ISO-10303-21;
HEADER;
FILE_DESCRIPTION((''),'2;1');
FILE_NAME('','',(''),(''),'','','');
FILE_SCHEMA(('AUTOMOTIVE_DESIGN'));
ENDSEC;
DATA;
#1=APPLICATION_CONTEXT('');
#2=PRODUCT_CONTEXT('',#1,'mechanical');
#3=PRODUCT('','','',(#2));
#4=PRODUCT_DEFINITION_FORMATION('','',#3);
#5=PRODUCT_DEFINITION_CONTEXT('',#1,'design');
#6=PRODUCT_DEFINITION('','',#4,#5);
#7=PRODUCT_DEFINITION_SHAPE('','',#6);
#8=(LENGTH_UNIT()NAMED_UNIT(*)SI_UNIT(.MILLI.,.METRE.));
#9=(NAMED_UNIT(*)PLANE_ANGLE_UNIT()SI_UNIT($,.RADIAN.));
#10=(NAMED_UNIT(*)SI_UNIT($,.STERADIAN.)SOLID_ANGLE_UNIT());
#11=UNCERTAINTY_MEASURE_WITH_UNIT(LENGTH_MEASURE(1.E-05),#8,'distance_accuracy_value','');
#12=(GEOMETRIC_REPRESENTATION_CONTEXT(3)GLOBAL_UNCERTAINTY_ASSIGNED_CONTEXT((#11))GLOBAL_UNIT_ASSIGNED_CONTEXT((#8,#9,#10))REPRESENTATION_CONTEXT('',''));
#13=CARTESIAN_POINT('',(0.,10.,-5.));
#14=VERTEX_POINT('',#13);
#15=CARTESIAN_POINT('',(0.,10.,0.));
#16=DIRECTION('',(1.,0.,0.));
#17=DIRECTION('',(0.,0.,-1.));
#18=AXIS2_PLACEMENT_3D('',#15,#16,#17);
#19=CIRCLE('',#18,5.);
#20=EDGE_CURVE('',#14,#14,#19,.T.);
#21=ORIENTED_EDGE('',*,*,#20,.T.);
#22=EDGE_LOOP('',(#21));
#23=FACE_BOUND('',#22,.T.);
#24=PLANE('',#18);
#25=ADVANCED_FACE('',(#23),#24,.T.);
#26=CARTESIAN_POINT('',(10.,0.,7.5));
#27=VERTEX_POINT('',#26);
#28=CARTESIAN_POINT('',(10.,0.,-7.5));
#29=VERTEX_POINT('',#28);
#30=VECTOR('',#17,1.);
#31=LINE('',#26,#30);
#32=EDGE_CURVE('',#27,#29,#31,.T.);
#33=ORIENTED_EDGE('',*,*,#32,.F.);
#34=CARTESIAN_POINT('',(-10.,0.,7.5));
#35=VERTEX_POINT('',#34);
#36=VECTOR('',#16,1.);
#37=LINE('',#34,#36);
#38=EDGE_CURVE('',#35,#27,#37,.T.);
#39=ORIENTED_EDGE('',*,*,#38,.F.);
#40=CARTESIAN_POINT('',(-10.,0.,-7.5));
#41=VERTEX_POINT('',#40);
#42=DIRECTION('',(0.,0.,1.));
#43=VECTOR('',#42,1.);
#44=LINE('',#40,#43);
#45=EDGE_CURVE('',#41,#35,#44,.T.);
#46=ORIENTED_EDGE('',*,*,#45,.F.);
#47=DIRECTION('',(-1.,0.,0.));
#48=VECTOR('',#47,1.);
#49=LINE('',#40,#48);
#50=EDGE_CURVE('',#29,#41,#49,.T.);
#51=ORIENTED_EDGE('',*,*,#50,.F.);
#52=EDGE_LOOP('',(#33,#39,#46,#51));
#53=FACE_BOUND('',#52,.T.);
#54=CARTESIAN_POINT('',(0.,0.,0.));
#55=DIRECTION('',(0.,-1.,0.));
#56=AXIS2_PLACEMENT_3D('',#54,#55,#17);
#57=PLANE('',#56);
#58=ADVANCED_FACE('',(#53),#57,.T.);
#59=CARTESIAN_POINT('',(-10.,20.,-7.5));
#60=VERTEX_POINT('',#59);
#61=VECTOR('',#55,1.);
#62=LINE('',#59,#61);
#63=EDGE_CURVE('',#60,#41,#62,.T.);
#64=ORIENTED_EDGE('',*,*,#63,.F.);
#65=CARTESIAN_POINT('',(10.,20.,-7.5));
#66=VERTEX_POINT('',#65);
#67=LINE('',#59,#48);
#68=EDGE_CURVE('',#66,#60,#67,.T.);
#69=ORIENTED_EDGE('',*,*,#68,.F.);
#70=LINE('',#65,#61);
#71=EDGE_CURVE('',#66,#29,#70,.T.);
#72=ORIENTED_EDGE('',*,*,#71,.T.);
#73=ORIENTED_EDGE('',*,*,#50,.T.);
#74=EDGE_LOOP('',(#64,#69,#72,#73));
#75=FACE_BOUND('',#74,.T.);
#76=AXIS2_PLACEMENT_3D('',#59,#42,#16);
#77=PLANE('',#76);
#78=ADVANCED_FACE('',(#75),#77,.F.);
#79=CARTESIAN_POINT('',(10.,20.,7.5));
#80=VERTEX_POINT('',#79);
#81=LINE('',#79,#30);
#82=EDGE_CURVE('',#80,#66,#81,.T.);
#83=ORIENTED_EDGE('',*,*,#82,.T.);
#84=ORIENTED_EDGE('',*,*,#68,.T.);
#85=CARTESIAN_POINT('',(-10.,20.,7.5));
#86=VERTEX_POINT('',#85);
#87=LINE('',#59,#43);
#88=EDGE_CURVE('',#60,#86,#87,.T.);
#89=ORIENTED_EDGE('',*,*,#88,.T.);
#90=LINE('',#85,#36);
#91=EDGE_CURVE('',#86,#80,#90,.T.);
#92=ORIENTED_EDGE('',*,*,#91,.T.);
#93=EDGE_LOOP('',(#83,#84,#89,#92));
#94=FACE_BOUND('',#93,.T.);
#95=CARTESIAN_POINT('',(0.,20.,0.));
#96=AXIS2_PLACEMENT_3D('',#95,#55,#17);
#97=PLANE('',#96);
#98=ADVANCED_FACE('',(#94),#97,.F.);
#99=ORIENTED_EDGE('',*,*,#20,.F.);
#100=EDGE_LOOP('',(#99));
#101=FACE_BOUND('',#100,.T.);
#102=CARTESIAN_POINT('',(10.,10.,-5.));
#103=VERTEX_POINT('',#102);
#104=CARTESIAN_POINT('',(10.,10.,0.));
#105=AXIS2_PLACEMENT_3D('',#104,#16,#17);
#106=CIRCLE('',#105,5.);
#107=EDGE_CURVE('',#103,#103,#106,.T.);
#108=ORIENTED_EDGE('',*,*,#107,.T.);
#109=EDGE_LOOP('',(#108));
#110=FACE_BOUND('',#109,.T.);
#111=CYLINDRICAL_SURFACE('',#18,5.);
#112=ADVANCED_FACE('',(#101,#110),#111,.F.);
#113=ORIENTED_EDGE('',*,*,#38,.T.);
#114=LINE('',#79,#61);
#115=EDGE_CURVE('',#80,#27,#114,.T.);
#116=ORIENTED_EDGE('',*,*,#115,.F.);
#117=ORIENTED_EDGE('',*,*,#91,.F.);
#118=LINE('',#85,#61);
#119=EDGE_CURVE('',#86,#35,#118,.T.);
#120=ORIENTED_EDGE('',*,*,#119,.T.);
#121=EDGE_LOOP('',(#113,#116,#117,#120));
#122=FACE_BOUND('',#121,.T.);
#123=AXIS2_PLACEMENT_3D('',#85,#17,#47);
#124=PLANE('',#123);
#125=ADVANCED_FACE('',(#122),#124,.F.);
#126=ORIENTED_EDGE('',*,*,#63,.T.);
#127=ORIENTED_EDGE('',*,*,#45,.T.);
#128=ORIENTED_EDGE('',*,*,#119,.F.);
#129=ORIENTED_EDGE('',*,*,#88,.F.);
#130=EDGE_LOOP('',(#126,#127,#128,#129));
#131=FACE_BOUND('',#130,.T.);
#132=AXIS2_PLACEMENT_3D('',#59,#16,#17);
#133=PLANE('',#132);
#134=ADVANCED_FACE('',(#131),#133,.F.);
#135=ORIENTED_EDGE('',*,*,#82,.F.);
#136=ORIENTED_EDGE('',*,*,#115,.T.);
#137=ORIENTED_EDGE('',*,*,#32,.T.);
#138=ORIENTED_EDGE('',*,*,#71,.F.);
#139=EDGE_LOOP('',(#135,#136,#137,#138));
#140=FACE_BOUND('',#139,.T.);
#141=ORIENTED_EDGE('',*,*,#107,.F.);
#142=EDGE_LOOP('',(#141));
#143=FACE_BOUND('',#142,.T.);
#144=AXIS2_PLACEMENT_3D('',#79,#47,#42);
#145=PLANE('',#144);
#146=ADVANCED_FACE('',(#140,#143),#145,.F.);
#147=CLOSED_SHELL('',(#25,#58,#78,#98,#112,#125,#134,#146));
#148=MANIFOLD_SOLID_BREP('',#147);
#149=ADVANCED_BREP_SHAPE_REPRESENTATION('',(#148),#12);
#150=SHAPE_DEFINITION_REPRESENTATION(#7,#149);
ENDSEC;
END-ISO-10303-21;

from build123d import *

# Parameters (mm, degrees)
SKETCH3_W           = 20
SKETCH3_H           = 15
BOSS_EXTRUDE1_DEPTH = 20
SKETCH5_R           = 5
CUT_EXTRUDE1_DEPTH  = 10


with BuildPart() as part:
    # Sketch3 → Boss-Extrude1 (new body)
    with BuildSketch(Plane(origin=(0, 0, 0), x_dir=(1, 0, 0), z_dir=(0, 1, 0))):
        Rectangle(SKETCH3_W, SKETCH3_H)
    extrude(amount=BOSS_EXTRUDE1_DEPTH)

    # Sketch5 → Cut-Extrude1 (cut)
    with BuildSketch(Plane(origin=(10, 0, 0), x_dir=(0, 0, -1), z_dir=(1, 0, 0))):
        with Locations((0, 10)):
            Circle(SKETCH5_R)
    extrude(amount=-CUT_EXTRUDE1_DEPTH, mode=Mode.SUBTRACT)


solid = part.part
